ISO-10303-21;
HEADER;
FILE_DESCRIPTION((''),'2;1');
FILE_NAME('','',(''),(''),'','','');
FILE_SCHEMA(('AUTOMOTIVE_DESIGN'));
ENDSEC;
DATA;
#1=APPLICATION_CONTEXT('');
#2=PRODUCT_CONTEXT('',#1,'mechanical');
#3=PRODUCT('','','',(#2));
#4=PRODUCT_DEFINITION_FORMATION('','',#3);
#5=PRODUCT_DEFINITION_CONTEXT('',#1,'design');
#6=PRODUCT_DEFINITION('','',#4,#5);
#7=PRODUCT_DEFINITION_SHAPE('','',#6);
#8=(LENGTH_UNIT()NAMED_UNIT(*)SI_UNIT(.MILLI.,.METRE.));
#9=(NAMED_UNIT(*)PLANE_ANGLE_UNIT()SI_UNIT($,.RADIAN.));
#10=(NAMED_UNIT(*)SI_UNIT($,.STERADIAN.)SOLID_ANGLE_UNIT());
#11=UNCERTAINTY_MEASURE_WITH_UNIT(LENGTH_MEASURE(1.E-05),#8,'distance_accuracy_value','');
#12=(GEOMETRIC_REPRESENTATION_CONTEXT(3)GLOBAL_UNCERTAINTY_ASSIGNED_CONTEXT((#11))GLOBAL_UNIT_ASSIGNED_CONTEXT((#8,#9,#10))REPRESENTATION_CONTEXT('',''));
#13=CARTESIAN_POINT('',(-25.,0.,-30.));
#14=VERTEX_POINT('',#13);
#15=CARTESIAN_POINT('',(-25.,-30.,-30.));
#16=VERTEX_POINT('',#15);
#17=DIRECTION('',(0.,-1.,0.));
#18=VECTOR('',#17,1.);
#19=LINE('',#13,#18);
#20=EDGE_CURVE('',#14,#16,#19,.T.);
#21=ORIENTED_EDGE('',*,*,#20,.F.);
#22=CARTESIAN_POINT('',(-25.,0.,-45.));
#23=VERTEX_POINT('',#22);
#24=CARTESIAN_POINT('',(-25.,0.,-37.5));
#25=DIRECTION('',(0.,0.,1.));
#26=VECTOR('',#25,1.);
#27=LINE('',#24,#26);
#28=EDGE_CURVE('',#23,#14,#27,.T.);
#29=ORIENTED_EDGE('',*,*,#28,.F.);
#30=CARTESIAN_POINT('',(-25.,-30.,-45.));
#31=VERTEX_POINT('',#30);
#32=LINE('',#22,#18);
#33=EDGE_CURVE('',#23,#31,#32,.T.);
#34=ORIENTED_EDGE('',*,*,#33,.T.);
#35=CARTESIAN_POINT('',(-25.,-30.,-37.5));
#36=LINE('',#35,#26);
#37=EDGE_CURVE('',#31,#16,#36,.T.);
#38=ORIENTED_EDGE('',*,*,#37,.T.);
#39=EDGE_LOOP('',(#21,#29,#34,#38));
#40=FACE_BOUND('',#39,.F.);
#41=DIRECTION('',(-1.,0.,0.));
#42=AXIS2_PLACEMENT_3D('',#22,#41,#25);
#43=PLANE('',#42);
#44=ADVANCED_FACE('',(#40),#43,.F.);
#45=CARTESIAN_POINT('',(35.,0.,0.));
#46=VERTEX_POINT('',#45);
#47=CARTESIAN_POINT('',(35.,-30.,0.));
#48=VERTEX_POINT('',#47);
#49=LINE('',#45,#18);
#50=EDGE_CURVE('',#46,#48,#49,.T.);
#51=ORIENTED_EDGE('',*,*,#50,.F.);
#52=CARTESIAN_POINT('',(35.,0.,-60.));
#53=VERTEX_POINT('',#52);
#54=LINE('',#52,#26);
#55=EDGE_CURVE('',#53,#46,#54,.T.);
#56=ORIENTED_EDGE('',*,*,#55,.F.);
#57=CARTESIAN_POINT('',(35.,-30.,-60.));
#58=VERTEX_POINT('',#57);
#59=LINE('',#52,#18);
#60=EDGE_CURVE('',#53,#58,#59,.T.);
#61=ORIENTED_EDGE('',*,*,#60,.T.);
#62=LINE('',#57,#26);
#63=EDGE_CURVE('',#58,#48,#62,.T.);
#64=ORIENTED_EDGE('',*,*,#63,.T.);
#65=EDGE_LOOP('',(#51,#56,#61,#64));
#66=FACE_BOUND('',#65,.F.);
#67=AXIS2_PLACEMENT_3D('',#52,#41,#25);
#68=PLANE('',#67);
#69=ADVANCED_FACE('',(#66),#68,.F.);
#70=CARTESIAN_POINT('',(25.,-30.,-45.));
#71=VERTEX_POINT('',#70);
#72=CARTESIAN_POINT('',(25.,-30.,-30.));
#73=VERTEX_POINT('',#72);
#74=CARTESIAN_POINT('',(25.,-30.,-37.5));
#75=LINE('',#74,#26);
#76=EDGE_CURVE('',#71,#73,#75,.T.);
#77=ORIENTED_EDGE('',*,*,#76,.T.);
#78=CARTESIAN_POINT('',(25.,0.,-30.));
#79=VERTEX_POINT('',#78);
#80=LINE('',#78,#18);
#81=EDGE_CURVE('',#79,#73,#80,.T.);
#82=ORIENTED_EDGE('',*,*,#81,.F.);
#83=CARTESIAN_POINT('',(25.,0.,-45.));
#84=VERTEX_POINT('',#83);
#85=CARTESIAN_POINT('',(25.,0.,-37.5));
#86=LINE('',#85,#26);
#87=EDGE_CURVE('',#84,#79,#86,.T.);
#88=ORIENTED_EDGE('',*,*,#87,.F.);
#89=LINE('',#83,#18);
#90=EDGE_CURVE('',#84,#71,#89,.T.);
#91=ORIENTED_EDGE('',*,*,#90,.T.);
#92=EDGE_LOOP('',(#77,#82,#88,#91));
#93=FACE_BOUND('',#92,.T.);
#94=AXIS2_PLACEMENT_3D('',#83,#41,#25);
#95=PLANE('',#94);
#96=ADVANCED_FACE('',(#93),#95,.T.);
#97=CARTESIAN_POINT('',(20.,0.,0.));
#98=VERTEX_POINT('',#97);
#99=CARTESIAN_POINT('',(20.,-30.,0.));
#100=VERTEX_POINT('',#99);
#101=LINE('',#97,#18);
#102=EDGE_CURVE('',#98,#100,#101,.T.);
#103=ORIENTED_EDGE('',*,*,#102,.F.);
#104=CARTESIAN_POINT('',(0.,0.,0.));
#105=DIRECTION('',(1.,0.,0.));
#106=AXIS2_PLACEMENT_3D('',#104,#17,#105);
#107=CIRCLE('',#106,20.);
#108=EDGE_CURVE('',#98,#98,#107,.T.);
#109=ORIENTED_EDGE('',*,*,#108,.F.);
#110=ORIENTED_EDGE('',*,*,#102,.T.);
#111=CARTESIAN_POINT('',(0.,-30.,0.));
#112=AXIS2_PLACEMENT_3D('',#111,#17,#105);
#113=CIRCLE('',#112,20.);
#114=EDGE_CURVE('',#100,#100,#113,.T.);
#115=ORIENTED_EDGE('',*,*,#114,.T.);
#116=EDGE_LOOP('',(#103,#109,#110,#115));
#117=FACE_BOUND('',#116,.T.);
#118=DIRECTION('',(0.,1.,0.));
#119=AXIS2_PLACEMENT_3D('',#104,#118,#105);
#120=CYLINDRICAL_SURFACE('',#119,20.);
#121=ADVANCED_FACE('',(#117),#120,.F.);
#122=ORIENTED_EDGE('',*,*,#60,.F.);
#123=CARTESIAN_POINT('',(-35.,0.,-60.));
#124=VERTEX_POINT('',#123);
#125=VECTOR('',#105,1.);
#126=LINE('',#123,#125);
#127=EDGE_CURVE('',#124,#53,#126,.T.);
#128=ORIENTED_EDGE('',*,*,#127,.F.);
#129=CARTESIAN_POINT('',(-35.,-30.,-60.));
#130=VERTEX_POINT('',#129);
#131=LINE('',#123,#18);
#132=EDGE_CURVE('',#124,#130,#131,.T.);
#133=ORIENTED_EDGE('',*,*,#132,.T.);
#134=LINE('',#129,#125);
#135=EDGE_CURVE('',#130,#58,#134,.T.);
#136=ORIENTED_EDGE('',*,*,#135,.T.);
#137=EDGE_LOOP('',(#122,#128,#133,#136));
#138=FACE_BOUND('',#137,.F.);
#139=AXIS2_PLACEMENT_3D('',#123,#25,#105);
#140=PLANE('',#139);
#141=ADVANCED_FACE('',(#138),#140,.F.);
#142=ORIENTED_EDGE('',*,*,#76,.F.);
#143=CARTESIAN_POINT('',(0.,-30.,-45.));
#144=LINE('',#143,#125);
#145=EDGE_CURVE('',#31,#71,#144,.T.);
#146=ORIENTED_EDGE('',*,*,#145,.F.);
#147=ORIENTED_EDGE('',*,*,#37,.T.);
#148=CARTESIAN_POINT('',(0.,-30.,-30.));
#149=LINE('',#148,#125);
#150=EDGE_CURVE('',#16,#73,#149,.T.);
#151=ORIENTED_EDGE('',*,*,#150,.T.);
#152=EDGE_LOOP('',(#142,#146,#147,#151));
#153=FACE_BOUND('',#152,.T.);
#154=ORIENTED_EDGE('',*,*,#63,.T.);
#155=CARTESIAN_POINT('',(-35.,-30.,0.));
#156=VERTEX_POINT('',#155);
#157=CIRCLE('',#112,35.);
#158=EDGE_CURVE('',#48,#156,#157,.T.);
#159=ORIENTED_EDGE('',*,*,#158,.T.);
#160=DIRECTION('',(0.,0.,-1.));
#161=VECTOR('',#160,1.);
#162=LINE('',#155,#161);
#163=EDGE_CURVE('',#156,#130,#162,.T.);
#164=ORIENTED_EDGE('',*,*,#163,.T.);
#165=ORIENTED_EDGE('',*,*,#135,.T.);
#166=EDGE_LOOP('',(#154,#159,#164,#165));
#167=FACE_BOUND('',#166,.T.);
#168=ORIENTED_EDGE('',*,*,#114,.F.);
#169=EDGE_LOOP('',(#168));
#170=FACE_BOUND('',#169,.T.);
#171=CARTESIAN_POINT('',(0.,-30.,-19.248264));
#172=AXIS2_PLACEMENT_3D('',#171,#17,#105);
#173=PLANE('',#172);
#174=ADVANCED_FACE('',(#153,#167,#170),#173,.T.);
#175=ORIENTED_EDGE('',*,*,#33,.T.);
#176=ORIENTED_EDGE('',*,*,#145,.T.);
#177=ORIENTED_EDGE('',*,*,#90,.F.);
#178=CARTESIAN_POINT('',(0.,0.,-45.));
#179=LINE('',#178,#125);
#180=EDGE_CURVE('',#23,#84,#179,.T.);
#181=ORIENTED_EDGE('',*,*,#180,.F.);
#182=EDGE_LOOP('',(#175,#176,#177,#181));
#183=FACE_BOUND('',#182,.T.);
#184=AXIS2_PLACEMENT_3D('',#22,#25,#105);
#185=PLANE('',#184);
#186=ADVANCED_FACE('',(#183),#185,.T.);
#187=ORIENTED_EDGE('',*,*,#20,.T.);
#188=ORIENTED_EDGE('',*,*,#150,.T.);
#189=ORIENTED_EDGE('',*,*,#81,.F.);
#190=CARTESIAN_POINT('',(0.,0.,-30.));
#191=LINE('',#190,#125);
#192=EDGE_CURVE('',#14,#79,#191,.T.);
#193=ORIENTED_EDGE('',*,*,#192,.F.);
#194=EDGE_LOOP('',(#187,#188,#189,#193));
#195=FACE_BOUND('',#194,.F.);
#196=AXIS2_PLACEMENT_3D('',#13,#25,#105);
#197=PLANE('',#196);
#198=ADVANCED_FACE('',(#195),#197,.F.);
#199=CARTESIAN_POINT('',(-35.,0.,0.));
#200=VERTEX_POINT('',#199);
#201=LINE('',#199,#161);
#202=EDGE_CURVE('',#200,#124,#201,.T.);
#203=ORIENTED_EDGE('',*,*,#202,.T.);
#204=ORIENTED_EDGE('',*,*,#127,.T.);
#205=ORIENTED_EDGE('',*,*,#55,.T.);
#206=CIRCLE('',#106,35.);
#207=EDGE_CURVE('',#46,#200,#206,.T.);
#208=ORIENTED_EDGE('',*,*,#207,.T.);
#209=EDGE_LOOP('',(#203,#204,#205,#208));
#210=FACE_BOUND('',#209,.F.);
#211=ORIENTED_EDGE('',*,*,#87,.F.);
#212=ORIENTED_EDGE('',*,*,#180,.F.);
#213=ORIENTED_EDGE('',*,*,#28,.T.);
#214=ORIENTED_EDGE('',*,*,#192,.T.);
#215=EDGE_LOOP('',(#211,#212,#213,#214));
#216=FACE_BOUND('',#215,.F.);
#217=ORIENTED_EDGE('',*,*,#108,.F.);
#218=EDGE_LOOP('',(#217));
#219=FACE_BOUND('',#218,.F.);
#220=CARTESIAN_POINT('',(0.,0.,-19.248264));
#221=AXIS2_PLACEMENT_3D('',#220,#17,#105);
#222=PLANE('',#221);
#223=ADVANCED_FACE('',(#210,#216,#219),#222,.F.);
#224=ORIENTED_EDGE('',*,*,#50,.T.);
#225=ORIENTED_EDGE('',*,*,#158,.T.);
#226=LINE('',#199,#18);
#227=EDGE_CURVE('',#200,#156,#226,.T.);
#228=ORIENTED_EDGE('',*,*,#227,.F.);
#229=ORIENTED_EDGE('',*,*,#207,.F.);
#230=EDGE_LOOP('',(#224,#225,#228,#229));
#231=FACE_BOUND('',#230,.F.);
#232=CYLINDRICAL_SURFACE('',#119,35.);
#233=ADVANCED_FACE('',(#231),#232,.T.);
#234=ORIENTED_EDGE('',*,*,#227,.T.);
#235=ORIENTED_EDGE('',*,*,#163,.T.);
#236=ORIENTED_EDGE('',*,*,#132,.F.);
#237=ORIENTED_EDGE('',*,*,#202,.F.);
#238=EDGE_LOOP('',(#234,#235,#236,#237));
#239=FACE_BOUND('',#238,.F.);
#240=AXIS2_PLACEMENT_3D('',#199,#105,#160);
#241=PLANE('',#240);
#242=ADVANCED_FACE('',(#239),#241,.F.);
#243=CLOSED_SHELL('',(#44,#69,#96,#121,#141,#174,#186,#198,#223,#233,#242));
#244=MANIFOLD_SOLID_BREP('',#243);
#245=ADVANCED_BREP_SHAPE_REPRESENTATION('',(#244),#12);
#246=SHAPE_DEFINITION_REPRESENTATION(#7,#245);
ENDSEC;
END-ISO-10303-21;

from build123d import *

# Parameters (mm, degrees)
F0_W     = 50
F0_H     = 15
F0_R     = 20
F1_DEPTH = 30


with BuildPart() as f1:
    # F0 (on Front) → F1 (new body)
    with BuildSketch(Plane.XZ):
        with BuildLine():
            Line((35, -60), (35, 0))
            ThreePointArc((35, 0), (0, 35), (-35, 0))
            Line((-35, 0), (-35, -60))
            Line((-35, -60), (35, -60))
        make_face()
        with Locations((0, -37.5)):
            Rectangle(F0_W, F0_H, mode=Mode.SUBTRACT)
        Circle(F0_R, mode=Mode.SUBTRACT)
    extrude(amount=F1_DEPTH)


solid = f1.part
